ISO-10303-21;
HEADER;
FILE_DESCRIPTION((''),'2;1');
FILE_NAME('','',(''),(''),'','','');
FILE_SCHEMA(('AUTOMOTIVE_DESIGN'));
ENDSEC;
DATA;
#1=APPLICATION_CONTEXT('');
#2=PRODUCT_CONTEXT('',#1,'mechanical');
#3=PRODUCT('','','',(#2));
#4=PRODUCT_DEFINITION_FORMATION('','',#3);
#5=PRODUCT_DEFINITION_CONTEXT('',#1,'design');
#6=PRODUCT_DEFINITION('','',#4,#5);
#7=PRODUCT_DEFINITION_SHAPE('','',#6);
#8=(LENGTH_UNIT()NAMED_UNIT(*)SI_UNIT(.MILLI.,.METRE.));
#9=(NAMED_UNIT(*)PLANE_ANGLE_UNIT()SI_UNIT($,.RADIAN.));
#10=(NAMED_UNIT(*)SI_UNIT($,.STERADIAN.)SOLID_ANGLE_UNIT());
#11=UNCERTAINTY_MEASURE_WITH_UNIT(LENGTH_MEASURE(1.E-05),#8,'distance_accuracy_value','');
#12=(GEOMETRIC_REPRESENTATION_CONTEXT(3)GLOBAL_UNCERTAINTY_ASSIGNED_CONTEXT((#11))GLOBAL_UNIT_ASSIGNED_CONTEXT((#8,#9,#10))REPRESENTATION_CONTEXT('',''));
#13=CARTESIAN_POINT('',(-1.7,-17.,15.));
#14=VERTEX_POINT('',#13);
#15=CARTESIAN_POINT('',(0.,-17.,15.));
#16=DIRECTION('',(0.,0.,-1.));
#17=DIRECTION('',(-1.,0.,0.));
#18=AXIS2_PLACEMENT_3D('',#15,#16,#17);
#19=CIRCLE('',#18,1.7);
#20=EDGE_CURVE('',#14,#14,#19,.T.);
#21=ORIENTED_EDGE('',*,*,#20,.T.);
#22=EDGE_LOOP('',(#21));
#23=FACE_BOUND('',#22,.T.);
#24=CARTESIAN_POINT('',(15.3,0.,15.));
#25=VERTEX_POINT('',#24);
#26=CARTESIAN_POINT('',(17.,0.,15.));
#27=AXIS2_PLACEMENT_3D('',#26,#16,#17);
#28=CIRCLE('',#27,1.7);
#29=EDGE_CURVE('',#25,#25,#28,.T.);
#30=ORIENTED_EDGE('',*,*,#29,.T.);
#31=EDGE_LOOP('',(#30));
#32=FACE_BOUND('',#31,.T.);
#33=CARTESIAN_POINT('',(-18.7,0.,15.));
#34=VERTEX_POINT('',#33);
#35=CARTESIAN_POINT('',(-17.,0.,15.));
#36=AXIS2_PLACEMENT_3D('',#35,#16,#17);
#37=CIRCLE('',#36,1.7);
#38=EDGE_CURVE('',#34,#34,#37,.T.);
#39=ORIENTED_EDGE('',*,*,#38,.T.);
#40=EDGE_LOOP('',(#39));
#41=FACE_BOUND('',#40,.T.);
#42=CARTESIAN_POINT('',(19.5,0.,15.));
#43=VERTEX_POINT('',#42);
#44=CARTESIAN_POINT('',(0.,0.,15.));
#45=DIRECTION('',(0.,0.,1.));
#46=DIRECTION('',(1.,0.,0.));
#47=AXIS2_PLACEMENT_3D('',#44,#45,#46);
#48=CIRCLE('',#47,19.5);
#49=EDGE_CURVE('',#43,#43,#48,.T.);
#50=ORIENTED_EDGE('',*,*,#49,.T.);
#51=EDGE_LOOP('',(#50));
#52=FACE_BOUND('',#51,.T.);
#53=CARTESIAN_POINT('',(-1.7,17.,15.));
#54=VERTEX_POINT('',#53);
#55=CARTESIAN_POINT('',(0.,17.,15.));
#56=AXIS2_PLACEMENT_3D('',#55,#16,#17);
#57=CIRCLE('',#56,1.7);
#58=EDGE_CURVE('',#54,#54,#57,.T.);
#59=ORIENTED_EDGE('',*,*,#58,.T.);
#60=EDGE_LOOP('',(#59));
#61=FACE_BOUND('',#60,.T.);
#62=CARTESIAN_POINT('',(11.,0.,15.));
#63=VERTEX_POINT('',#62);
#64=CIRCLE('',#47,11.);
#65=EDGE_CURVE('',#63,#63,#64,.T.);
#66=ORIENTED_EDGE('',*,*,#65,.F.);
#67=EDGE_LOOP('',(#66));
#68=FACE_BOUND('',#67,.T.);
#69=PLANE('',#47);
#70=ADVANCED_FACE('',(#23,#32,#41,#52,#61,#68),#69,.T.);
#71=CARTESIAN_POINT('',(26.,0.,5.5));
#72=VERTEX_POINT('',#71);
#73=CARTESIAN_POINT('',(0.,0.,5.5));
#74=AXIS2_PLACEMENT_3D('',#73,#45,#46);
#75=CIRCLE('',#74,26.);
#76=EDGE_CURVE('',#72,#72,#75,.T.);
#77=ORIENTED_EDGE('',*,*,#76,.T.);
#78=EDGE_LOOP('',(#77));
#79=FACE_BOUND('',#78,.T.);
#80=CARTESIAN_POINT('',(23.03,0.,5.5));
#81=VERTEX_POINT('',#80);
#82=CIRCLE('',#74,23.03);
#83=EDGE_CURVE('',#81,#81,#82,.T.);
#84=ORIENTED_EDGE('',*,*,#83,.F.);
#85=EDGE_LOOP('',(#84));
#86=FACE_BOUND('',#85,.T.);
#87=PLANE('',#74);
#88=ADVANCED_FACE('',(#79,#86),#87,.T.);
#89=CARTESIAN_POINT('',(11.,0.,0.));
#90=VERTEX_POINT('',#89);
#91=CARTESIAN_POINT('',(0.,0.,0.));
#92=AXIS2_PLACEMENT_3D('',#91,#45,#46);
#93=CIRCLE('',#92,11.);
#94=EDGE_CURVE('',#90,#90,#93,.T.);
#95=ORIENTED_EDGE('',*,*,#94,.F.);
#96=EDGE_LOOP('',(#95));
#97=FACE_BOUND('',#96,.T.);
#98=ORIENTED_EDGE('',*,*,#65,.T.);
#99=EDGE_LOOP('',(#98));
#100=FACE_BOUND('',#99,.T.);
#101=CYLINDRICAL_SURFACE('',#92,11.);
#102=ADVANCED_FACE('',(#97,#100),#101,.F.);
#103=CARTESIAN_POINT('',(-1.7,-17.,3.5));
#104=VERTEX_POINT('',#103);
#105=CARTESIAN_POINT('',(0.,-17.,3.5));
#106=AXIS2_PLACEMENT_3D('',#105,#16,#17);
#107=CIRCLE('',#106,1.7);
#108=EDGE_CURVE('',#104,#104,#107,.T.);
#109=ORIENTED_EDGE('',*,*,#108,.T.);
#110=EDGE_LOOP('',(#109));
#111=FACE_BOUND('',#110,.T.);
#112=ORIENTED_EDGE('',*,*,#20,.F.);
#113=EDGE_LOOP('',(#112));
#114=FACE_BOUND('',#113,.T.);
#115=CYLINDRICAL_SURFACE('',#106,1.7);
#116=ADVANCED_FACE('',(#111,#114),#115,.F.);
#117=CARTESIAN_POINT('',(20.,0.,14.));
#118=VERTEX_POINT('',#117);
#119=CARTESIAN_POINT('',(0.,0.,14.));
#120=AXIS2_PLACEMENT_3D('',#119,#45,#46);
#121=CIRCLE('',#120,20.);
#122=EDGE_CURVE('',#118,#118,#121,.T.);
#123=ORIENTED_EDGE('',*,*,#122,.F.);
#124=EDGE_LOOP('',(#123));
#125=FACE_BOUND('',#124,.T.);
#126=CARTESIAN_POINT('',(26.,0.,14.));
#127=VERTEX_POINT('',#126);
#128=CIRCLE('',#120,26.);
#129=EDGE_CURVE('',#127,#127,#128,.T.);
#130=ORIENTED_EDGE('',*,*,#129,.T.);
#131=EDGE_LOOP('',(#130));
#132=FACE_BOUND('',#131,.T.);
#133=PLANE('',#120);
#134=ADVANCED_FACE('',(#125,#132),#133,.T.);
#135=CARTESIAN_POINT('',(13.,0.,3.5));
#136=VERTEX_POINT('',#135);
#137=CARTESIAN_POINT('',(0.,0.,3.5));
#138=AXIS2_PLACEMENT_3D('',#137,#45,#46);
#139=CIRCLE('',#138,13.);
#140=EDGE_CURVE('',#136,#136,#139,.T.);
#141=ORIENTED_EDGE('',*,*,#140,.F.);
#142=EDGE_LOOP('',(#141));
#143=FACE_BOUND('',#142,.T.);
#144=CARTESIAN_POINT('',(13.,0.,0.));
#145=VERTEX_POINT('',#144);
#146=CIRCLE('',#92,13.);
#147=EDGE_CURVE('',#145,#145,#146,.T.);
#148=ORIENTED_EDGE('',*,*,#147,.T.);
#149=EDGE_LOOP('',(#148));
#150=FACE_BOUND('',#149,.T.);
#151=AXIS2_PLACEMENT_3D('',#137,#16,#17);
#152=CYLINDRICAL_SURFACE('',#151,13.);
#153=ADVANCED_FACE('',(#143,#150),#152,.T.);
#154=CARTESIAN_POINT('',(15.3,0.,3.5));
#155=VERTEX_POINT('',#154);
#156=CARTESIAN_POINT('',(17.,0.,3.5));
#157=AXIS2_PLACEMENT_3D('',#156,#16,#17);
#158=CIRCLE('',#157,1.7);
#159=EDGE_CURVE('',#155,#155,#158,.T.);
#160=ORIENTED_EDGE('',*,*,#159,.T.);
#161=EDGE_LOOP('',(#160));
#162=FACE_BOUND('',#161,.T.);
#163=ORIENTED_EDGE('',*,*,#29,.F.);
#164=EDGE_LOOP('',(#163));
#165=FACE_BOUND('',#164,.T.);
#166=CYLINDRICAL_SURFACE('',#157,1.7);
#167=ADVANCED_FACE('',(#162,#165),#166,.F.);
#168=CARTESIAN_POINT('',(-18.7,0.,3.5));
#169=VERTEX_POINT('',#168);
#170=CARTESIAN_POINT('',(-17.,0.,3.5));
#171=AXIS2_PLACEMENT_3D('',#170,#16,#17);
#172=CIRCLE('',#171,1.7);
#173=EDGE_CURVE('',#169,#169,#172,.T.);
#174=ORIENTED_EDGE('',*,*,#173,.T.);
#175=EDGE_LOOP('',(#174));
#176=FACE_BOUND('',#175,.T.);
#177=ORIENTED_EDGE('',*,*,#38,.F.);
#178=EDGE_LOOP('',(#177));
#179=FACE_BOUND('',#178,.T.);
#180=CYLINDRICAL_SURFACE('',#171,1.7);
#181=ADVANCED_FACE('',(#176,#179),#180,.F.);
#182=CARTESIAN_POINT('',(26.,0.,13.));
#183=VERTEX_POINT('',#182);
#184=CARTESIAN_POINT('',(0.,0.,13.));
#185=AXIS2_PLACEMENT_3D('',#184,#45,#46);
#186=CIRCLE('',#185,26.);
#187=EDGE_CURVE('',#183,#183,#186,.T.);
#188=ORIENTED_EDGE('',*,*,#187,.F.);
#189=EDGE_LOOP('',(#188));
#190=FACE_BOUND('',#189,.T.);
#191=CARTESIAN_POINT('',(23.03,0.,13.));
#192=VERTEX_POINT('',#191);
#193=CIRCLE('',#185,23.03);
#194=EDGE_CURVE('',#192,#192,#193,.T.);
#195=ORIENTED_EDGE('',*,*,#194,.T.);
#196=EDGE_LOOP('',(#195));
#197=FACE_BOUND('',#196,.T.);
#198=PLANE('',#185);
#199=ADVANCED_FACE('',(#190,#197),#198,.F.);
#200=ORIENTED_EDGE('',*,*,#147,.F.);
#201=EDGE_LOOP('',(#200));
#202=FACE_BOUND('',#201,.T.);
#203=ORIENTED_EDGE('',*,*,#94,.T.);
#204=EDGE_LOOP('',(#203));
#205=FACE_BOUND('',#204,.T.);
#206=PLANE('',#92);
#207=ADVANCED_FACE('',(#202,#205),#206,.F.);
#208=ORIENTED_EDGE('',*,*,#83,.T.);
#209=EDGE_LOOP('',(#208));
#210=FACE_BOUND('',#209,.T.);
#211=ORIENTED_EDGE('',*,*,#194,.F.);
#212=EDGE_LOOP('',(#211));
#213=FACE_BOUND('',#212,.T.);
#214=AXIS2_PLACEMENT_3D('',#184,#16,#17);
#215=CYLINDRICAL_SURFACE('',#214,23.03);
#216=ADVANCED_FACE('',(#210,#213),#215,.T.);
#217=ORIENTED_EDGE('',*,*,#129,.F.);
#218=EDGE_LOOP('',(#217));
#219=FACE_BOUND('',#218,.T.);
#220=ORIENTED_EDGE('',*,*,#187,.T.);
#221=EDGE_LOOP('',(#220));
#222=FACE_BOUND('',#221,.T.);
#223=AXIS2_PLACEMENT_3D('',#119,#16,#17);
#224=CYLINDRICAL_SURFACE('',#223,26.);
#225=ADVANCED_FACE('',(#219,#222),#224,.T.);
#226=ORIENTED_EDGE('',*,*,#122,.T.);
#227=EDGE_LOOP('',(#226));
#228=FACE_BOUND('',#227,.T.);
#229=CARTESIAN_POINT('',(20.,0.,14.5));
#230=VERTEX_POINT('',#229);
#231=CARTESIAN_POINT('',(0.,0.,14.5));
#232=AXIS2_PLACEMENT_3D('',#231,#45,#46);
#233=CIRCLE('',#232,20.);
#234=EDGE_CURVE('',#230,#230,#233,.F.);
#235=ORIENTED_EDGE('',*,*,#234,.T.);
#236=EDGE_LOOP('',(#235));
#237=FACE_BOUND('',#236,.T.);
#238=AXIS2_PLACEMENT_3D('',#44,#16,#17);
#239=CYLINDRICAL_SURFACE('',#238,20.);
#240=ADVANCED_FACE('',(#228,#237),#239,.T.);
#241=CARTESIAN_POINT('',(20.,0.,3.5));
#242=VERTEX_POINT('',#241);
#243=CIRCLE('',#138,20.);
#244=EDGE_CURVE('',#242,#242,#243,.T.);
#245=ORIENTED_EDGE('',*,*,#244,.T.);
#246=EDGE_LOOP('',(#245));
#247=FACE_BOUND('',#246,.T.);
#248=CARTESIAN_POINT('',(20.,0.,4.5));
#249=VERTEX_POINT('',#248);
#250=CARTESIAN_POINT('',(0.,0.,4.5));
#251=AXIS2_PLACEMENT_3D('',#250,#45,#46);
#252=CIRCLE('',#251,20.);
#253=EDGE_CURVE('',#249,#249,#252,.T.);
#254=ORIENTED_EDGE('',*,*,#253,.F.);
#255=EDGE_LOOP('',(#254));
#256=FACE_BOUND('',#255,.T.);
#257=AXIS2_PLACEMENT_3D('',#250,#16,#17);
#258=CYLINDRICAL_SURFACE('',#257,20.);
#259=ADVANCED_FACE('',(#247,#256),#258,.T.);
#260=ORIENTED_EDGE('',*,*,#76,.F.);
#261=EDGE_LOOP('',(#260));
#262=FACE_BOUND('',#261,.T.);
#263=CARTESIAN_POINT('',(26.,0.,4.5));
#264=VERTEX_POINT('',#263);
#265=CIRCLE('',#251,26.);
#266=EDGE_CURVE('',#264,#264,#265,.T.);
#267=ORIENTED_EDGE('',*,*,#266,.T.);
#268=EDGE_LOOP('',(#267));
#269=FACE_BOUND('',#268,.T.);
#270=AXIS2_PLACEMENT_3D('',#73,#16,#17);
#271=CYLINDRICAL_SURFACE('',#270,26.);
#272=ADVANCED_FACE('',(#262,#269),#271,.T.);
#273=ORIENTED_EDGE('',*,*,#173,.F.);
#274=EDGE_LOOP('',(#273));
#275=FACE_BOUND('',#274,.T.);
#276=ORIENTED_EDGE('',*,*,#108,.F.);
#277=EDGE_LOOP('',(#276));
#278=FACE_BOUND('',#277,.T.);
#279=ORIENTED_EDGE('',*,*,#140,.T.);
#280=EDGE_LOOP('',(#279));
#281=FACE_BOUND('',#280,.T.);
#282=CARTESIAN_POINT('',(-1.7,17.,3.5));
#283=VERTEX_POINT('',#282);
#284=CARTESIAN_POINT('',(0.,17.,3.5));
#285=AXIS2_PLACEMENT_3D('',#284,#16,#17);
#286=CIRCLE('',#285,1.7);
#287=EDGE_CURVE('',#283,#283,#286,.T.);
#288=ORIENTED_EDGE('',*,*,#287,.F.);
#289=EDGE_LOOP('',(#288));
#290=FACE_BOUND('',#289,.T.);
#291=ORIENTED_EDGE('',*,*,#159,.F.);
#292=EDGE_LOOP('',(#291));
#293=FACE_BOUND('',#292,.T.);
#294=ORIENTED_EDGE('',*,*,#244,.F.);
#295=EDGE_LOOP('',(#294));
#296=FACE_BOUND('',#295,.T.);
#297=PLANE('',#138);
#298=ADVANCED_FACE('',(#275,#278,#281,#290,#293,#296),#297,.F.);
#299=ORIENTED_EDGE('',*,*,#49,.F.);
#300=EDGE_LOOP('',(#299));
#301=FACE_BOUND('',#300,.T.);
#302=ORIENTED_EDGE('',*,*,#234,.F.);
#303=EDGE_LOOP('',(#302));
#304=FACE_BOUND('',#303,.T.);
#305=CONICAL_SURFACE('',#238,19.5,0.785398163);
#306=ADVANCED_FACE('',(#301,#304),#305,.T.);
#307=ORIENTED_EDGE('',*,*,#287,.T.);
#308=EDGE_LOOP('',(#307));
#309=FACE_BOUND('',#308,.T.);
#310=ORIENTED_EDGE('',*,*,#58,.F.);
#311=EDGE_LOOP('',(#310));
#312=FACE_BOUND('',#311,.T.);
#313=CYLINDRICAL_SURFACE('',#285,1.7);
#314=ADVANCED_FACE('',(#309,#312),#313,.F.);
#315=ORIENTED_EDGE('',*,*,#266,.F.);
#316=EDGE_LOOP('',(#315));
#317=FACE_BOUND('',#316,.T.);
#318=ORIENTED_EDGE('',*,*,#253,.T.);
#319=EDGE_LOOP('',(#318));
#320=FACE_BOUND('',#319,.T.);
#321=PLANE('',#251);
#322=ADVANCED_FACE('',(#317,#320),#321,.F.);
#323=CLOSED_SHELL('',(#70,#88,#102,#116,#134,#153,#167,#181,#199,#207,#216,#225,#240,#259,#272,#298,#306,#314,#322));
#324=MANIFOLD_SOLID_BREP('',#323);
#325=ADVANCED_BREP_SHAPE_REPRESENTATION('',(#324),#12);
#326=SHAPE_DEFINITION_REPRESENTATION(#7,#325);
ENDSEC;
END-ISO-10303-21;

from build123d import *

# Parameters (mm, degrees)
SKETCH1_R                   = 13
BOSS_EXTRUDE1_DEPTH         = 3.5
SKETCH2_R                   = 20
BOSS_EXTRUDE2_DEPTH         = 1
SKETCH3_R                   = 26
BOSS_EXTRUDE3_DEPTH         = 1
SKETCH4_R                   = 23.03
BOSS_EXTRUDE4_DEPTH         = 7.5
SKETCH5_R                   = 26
BOSS_EXTRUDE5_DEPTH         = 1
SKETCH6_R                   = 20
BOSS_EXTRUDE6_DEPTH         = 1
SKETCH7_R                   = 11
CUT_EXTRUDE1_DEPTH          = 40.711459303
TAP_DRILL_FOR_M3X0_5_TAP1_D = 3.4
CHAMFER1_SIZE               = 0.5


with BuildPart() as part:
    # Sketch1 → Boss-Extrude1 (new body)
    with BuildSketch(Plane.XY):
        Circle(SKETCH1_R)
    extrude(amount=BOSS_EXTRUDE1_DEPTH)

    # Sketch2 → Boss-Extrude2 (add)
    with BuildSketch(Plane.XY.offset(3.5)):
        Circle(SKETCH2_R)
    extrude(amount=BOSS_EXTRUDE2_DEPTH)

    # Sketch3 → Boss-Extrude3 (add)
    with BuildSketch(Plane.XY.offset(4.5)):
        Circle(SKETCH3_R)
    extrude(amount=BOSS_EXTRUDE3_DEPTH)

    # Sketch4 → Boss-Extrude4 (add)
    with BuildSketch(Plane.XY.offset(5.5)):
        Circle(SKETCH4_R)
    extrude(amount=BOSS_EXTRUDE4_DEPTH)

    # Sketch5 → Boss-Extrude5 (add)
    with BuildSketch(Plane.XY.offset(13)):
        Circle(SKETCH5_R)
    extrude(amount=BOSS_EXTRUDE5_DEPTH)

    # Sketch6 → Boss-Extrude6 (add)
    with BuildSketch(Plane.XY.offset(14)):
        Circle(SKETCH6_R)
    extrude(amount=BOSS_EXTRUDE6_DEPTH)

    # Sketch7 → Cut-Extrude1 (cut, through all)
    with BuildSketch(Plane.XY.offset(15)):
        Circle(SKETCH7_R)
    extrude(amount=-CUT_EXTRUDE1_DEPTH, mode=Mode.SUBTRACT)

    # Tap Drill for M3x0.5 Tap1 (through all)
    with Locations(Plane(origin=(0, 0, 3.5), x_dir=(-1, 0, 0), z_dir=(0, 0, -1))):
        with Locations((0, 17), (17, 0), (0, -17), (-17, 0)):
            Hole(TAP_DRILL_FOR_M3X0_5_TAP1_D / 2)

    # Chamfer1
    chamfer1_edges = [part.edges().sort_by_distance(p)[0] for p in [
        (-20, 0, 15),
    ]]
    chamfer(chamfer1_edges, length=CHAMFER1_SIZE)


solid = part.part
